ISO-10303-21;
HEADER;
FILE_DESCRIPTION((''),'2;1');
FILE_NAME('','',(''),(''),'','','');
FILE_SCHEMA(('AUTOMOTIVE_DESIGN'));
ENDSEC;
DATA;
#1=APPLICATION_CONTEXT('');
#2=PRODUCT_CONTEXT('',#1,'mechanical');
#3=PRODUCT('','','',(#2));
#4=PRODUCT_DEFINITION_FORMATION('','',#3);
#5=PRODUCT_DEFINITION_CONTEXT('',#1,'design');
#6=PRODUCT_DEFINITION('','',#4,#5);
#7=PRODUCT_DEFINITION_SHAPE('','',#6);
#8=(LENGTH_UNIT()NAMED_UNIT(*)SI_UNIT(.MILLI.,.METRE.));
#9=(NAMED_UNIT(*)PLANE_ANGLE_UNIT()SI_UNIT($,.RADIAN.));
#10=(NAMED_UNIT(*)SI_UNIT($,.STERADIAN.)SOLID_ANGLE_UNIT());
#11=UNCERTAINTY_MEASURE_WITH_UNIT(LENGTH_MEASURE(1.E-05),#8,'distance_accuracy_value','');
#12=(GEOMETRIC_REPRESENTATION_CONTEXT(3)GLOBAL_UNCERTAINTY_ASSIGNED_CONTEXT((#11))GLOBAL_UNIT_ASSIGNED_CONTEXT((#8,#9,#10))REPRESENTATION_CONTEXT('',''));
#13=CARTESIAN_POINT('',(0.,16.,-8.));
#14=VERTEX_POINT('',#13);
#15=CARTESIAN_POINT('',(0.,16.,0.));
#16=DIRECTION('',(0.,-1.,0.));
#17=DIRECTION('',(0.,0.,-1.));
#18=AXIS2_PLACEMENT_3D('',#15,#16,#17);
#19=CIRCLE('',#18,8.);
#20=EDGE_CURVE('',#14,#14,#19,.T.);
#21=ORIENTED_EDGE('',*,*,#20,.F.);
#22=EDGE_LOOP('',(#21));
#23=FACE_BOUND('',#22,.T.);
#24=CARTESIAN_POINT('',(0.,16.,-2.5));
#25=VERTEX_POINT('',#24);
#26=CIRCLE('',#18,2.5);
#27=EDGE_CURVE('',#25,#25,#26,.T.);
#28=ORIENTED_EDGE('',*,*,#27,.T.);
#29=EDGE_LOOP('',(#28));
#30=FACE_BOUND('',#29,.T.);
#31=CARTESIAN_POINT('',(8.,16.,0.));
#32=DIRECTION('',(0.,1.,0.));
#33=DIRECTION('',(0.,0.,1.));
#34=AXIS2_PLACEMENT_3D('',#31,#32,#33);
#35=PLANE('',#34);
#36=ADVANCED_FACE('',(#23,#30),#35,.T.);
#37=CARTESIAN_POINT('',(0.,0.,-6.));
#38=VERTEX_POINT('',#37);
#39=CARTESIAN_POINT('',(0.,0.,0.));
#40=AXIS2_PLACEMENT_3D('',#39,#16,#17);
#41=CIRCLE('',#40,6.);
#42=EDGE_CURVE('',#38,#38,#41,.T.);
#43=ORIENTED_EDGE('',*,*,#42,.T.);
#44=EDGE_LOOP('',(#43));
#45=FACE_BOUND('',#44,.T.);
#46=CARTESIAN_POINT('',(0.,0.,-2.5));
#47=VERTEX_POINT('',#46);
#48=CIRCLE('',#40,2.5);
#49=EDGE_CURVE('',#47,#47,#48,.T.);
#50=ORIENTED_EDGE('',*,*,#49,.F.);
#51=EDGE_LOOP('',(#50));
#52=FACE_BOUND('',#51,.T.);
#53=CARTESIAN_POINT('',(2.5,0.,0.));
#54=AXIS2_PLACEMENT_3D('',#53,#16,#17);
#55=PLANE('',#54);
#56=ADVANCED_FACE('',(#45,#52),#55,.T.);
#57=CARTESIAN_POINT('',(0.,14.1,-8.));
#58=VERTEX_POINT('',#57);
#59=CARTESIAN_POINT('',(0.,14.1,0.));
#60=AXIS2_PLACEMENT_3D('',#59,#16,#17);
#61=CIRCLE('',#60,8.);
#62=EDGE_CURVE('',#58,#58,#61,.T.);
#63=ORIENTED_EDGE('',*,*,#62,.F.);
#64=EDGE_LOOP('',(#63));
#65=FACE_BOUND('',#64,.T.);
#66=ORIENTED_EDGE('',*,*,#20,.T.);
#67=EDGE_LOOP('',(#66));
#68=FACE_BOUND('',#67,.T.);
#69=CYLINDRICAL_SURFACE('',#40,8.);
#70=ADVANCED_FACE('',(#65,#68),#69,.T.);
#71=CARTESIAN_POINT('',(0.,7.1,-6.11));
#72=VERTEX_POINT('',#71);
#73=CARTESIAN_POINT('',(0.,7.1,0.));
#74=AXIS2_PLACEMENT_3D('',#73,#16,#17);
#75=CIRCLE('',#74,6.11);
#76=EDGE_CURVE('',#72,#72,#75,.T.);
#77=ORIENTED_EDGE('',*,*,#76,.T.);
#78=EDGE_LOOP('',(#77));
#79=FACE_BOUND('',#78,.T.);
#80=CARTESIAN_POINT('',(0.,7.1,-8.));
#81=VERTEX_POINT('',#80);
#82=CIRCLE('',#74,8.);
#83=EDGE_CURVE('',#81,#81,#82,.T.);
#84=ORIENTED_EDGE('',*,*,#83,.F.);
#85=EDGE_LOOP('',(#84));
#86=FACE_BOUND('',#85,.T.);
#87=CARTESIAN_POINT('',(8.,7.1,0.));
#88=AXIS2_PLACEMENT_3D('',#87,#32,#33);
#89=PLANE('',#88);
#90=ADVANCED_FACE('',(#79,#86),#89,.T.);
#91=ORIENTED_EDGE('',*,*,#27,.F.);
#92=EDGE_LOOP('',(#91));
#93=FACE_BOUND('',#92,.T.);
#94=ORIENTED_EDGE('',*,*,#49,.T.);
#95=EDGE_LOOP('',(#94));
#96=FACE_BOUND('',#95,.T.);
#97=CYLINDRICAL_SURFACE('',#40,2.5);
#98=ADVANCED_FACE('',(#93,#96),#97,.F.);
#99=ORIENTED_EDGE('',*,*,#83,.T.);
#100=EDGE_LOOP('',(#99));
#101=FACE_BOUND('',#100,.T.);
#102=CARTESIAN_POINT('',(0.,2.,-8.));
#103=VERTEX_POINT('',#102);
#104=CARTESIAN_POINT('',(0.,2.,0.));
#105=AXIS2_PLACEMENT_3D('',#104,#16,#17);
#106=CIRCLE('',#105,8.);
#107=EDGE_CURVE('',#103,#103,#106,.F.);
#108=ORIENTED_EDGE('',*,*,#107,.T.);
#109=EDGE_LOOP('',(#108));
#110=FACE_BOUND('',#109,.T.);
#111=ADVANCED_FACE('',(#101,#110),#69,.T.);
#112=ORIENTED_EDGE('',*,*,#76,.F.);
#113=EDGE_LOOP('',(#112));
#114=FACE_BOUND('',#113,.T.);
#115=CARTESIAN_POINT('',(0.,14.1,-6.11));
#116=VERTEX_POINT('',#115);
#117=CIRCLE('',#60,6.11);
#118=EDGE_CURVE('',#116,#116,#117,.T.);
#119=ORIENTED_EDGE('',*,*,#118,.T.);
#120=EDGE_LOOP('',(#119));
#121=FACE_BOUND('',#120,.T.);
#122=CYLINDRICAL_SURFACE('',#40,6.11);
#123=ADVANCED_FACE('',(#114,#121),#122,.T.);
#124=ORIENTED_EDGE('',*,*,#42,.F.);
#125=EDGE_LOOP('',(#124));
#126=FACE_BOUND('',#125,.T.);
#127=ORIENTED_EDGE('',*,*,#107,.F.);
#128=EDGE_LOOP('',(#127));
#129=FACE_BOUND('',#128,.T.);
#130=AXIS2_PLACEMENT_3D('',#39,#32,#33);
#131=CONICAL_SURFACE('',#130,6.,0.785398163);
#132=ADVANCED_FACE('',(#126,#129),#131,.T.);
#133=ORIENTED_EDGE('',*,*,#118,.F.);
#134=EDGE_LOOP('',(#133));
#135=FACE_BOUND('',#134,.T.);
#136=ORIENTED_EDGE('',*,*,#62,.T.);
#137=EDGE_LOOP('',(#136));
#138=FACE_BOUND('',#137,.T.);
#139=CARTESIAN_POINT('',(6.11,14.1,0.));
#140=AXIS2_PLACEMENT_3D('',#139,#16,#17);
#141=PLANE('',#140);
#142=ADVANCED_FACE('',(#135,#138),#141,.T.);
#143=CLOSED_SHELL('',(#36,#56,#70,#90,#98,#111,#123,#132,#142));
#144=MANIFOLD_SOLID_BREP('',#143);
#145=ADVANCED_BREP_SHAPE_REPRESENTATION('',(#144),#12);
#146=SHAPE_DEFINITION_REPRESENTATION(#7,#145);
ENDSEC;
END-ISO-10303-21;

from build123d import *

# Parameters (mm, degrees)
CHAMFER1_SIZE = 2


with BuildPart() as part:
    # Sketch1 → Revolve1 (revolve)
    with BuildSketch(Plane.XY, mode=Mode.PRIVATE) as revolve1_sk:
        Polygon((2.5, 0), (8, 0), (8, 7.1), (6.11, 7.1), (6.11, 14.1), (8, 14.1), (8, 16), (2.5, 16), align=None)
    revolve(revolve1_sk.sketch.rotate(Axis((0, 0, 0), (0, 1, 0)), 90), axis=Axis((0, 0, 0), (0, 1, 0)))

    # Chamfer1
    chamfer1_edges = [part.edges().sort_by_distance(p)[0] for p in [
        (0, 0, 8),
    ]]
    chamfer(chamfer1_edges, length=CHAMFER1_SIZE)


solid = part.part
